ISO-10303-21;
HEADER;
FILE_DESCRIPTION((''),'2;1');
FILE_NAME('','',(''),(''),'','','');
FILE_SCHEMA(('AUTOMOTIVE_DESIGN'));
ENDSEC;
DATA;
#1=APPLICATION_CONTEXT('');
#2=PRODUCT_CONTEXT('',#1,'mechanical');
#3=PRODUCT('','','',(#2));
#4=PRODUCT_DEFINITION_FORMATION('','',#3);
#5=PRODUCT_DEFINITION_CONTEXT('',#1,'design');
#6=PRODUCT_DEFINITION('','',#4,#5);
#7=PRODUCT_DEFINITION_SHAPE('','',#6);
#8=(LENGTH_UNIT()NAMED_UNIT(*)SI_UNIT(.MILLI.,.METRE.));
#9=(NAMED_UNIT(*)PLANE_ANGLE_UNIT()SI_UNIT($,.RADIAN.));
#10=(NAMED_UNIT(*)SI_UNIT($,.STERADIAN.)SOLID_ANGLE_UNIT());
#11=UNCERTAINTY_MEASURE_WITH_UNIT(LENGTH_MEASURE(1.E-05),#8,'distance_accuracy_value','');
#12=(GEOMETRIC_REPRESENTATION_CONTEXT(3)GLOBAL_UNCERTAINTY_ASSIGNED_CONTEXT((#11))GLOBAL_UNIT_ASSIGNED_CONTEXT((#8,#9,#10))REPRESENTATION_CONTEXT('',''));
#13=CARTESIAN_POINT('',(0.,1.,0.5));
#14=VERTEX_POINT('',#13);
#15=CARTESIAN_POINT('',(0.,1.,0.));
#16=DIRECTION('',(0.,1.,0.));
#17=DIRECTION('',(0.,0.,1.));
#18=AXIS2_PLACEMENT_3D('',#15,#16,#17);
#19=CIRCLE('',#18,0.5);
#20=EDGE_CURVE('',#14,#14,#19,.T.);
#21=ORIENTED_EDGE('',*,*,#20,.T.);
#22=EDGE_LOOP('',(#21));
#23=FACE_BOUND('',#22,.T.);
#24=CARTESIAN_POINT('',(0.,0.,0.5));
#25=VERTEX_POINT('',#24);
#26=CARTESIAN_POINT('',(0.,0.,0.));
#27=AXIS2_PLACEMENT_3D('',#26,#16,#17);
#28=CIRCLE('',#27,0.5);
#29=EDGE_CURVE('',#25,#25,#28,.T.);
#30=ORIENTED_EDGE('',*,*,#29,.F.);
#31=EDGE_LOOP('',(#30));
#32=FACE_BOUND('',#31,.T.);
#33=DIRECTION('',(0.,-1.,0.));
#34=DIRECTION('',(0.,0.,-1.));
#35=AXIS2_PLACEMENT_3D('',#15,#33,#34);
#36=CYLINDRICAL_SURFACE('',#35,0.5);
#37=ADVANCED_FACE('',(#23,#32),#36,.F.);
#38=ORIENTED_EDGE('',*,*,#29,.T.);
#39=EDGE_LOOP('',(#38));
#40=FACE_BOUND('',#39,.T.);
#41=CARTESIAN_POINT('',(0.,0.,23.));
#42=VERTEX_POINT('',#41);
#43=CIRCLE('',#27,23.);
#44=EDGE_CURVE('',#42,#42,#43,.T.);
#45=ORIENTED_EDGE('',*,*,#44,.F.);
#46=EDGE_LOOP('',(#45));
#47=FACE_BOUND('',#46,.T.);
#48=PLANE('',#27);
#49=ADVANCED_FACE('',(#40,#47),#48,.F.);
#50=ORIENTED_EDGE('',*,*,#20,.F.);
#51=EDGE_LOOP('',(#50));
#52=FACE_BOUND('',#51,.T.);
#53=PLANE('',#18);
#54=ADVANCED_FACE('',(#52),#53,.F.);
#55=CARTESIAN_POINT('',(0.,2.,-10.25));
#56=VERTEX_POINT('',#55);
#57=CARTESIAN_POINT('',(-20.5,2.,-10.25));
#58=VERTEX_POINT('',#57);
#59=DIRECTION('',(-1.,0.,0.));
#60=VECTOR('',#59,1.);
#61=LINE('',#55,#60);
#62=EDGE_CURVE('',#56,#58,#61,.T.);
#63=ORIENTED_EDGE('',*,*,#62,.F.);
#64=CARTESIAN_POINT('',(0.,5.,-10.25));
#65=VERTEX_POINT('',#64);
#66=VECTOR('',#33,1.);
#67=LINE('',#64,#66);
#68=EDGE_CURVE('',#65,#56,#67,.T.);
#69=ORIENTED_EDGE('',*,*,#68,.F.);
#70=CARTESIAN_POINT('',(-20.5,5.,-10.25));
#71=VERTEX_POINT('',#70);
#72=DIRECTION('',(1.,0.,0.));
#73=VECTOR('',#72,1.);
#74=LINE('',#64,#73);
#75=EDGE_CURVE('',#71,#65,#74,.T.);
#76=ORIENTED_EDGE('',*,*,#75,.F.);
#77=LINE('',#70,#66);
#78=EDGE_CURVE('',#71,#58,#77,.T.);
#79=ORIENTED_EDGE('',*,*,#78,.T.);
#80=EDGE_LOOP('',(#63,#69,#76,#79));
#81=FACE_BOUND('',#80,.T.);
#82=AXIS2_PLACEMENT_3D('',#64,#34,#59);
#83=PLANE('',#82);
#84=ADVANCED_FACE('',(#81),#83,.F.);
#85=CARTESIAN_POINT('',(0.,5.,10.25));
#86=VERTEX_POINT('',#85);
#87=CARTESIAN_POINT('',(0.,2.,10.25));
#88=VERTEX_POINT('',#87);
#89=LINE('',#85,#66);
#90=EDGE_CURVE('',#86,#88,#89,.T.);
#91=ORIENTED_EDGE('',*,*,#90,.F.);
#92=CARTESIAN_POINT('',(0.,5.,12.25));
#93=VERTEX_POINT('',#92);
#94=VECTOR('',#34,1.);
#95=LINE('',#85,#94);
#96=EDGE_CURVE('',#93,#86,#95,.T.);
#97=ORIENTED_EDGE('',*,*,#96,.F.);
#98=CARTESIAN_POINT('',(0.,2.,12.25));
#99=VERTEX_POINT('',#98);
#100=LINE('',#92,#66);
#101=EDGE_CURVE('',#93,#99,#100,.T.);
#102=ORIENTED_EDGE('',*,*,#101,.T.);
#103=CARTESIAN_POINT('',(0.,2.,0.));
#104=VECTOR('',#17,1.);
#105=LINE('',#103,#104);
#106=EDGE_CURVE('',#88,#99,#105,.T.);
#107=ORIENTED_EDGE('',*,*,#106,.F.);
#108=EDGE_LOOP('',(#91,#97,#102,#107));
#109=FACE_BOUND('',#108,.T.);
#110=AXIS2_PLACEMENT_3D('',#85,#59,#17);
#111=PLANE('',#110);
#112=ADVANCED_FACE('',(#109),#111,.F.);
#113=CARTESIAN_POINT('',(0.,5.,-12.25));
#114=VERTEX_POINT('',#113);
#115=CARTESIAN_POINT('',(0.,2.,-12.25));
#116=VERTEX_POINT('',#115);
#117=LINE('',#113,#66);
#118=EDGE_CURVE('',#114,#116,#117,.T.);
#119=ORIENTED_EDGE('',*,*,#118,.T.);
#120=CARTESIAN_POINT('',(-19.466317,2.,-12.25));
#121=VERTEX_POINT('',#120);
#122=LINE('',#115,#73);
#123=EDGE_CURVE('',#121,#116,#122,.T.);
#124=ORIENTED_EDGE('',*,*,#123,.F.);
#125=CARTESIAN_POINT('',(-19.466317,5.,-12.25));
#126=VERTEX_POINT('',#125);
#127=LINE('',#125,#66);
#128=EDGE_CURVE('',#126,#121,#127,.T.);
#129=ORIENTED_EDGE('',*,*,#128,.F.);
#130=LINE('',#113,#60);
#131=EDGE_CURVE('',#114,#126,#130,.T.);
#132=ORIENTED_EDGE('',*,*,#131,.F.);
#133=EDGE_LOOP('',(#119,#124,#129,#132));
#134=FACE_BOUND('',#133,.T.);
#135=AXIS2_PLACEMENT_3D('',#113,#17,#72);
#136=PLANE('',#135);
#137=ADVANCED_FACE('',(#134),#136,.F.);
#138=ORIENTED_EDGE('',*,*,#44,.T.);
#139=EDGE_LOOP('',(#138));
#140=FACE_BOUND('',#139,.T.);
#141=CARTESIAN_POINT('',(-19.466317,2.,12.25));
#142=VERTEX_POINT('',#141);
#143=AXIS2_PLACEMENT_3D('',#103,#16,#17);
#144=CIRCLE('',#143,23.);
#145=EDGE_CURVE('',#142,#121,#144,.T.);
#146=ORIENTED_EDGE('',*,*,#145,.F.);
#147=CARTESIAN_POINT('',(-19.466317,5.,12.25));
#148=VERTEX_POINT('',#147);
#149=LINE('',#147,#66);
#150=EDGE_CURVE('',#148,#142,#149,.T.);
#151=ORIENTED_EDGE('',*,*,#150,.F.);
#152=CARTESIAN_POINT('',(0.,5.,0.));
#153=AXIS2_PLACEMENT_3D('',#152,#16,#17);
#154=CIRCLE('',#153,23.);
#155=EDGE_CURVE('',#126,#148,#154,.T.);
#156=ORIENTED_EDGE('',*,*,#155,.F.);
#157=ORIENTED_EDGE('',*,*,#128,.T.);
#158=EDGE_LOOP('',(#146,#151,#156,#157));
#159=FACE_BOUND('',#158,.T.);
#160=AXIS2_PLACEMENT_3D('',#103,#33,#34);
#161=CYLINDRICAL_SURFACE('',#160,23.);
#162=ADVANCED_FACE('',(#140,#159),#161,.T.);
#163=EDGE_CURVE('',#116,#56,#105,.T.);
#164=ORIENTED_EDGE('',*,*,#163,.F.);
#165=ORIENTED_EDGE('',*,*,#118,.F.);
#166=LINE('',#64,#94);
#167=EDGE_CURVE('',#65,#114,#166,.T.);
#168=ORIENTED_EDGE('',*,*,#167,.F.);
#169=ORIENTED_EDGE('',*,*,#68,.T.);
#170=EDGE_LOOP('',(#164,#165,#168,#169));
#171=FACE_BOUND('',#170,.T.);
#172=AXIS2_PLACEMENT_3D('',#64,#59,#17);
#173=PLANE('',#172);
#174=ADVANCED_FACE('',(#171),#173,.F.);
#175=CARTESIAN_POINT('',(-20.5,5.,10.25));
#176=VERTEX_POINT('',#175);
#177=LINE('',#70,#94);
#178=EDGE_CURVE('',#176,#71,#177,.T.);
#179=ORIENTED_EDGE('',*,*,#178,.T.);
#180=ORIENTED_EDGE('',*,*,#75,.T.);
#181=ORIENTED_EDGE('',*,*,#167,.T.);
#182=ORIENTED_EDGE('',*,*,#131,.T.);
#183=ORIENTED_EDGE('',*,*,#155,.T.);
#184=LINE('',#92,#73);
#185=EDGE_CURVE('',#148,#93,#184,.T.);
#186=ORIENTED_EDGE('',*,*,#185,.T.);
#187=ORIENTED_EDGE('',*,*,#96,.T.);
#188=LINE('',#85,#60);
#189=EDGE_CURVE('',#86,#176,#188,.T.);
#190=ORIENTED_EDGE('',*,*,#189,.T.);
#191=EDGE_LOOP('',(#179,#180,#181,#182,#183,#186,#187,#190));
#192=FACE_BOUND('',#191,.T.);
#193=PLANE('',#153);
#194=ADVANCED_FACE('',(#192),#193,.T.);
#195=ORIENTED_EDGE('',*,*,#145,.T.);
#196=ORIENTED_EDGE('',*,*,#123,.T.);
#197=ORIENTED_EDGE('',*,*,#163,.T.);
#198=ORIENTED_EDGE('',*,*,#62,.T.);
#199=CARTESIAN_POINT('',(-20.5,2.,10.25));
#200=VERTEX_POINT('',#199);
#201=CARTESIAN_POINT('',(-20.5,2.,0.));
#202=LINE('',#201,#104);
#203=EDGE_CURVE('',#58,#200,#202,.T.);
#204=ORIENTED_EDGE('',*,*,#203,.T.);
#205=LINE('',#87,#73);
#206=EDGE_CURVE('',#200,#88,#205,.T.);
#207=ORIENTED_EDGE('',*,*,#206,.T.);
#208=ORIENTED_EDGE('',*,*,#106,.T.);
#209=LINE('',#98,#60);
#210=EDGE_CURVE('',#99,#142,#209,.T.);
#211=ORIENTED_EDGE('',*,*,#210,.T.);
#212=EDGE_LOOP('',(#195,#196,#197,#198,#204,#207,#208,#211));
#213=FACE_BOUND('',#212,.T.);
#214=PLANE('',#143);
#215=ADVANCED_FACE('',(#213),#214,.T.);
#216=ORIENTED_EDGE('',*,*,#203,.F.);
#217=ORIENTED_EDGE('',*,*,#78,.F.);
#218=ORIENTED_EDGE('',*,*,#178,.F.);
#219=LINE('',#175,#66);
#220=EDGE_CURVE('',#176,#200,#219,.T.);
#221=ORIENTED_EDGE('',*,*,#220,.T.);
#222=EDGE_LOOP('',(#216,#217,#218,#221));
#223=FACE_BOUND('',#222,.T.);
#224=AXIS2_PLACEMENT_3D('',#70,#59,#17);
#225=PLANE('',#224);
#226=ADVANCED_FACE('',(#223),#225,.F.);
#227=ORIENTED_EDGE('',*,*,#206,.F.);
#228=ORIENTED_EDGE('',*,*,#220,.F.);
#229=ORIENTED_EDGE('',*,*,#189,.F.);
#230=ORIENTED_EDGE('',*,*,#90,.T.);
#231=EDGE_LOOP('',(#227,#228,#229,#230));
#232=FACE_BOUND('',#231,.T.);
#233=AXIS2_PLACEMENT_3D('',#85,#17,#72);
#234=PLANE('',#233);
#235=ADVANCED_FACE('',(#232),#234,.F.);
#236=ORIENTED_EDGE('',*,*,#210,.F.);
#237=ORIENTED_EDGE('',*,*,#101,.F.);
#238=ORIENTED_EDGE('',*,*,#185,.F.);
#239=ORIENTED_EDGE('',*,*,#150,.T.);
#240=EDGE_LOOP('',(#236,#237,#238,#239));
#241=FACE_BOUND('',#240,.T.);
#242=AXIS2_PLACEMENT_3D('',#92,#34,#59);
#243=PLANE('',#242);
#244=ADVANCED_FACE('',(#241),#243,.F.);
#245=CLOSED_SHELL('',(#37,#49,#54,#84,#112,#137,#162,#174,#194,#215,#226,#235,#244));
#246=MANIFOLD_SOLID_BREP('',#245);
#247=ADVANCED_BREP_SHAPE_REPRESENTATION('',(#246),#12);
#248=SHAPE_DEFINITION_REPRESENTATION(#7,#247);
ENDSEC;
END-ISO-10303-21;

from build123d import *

# Parameters (mm, degrees)
SKETCH1_R           = 23
BOSS_EXTRUDE1_DEPTH = 2
SKETCH3_R           = 0.5
CUT_EXTRUDE2_DEPTH  = 1
BOSS_EXTRUDE2_DEPTH = 5


with BuildPart() as part:
    # Sketch1 → Boss-Extrude1 (new body)
    with BuildSketch(Plane(origin=(0, 0, 0), x_dir=(1, 0, 0), z_dir=(0, 1, 0))):
        with Locations(Location((0, 0, 0), (0, 0, 270))):
            Circle(SKETCH1_R)
    extrude(amount=BOSS_EXTRUDE1_DEPTH)

    # Sketch3 → Cut-Extrude2 (cut)
    with BuildSketch(Plane(origin=(0, 0, 0), x_dir=(1, 0, 0), z_dir=(0, 1, 0))):
        with Locations(Location((0, 0, 0), (0, 0, 270))):
            Circle(SKETCH3_R)
    extrude(amount=CUT_EXTRUDE2_DEPTH, mode=Mode.SUBTRACT)

    # Sketch4 → Boss-Extrude2 (add)
    with BuildSketch(Plane(origin=(0, 0, 0), x_dir=(1, 0, 0), z_dir=(0, 1, 0))):
        with BuildLine():
            Line((0, 10.25), (0, 12.25))
            Line((0, 12.25), (-19.466317063, 12.25))
            ThreePointArc((-19.466317063, 12.25), (-23, 0), (-19.466317063, -12.25))
            Line((-19.466317063, -12.25), (0, -12.25))
            Line((0, -12.25), (0, -10.25))
            Line((0, -10.25), (-20.5, -10.25))
            Line((-20.5, -10.25), (-20.5, 10.25))
            Line((-20.5, 10.25), (0, 10.25))
        make_face()
    extrude(amount=BOSS_EXTRUDE2_DEPTH)


solid = part.part
